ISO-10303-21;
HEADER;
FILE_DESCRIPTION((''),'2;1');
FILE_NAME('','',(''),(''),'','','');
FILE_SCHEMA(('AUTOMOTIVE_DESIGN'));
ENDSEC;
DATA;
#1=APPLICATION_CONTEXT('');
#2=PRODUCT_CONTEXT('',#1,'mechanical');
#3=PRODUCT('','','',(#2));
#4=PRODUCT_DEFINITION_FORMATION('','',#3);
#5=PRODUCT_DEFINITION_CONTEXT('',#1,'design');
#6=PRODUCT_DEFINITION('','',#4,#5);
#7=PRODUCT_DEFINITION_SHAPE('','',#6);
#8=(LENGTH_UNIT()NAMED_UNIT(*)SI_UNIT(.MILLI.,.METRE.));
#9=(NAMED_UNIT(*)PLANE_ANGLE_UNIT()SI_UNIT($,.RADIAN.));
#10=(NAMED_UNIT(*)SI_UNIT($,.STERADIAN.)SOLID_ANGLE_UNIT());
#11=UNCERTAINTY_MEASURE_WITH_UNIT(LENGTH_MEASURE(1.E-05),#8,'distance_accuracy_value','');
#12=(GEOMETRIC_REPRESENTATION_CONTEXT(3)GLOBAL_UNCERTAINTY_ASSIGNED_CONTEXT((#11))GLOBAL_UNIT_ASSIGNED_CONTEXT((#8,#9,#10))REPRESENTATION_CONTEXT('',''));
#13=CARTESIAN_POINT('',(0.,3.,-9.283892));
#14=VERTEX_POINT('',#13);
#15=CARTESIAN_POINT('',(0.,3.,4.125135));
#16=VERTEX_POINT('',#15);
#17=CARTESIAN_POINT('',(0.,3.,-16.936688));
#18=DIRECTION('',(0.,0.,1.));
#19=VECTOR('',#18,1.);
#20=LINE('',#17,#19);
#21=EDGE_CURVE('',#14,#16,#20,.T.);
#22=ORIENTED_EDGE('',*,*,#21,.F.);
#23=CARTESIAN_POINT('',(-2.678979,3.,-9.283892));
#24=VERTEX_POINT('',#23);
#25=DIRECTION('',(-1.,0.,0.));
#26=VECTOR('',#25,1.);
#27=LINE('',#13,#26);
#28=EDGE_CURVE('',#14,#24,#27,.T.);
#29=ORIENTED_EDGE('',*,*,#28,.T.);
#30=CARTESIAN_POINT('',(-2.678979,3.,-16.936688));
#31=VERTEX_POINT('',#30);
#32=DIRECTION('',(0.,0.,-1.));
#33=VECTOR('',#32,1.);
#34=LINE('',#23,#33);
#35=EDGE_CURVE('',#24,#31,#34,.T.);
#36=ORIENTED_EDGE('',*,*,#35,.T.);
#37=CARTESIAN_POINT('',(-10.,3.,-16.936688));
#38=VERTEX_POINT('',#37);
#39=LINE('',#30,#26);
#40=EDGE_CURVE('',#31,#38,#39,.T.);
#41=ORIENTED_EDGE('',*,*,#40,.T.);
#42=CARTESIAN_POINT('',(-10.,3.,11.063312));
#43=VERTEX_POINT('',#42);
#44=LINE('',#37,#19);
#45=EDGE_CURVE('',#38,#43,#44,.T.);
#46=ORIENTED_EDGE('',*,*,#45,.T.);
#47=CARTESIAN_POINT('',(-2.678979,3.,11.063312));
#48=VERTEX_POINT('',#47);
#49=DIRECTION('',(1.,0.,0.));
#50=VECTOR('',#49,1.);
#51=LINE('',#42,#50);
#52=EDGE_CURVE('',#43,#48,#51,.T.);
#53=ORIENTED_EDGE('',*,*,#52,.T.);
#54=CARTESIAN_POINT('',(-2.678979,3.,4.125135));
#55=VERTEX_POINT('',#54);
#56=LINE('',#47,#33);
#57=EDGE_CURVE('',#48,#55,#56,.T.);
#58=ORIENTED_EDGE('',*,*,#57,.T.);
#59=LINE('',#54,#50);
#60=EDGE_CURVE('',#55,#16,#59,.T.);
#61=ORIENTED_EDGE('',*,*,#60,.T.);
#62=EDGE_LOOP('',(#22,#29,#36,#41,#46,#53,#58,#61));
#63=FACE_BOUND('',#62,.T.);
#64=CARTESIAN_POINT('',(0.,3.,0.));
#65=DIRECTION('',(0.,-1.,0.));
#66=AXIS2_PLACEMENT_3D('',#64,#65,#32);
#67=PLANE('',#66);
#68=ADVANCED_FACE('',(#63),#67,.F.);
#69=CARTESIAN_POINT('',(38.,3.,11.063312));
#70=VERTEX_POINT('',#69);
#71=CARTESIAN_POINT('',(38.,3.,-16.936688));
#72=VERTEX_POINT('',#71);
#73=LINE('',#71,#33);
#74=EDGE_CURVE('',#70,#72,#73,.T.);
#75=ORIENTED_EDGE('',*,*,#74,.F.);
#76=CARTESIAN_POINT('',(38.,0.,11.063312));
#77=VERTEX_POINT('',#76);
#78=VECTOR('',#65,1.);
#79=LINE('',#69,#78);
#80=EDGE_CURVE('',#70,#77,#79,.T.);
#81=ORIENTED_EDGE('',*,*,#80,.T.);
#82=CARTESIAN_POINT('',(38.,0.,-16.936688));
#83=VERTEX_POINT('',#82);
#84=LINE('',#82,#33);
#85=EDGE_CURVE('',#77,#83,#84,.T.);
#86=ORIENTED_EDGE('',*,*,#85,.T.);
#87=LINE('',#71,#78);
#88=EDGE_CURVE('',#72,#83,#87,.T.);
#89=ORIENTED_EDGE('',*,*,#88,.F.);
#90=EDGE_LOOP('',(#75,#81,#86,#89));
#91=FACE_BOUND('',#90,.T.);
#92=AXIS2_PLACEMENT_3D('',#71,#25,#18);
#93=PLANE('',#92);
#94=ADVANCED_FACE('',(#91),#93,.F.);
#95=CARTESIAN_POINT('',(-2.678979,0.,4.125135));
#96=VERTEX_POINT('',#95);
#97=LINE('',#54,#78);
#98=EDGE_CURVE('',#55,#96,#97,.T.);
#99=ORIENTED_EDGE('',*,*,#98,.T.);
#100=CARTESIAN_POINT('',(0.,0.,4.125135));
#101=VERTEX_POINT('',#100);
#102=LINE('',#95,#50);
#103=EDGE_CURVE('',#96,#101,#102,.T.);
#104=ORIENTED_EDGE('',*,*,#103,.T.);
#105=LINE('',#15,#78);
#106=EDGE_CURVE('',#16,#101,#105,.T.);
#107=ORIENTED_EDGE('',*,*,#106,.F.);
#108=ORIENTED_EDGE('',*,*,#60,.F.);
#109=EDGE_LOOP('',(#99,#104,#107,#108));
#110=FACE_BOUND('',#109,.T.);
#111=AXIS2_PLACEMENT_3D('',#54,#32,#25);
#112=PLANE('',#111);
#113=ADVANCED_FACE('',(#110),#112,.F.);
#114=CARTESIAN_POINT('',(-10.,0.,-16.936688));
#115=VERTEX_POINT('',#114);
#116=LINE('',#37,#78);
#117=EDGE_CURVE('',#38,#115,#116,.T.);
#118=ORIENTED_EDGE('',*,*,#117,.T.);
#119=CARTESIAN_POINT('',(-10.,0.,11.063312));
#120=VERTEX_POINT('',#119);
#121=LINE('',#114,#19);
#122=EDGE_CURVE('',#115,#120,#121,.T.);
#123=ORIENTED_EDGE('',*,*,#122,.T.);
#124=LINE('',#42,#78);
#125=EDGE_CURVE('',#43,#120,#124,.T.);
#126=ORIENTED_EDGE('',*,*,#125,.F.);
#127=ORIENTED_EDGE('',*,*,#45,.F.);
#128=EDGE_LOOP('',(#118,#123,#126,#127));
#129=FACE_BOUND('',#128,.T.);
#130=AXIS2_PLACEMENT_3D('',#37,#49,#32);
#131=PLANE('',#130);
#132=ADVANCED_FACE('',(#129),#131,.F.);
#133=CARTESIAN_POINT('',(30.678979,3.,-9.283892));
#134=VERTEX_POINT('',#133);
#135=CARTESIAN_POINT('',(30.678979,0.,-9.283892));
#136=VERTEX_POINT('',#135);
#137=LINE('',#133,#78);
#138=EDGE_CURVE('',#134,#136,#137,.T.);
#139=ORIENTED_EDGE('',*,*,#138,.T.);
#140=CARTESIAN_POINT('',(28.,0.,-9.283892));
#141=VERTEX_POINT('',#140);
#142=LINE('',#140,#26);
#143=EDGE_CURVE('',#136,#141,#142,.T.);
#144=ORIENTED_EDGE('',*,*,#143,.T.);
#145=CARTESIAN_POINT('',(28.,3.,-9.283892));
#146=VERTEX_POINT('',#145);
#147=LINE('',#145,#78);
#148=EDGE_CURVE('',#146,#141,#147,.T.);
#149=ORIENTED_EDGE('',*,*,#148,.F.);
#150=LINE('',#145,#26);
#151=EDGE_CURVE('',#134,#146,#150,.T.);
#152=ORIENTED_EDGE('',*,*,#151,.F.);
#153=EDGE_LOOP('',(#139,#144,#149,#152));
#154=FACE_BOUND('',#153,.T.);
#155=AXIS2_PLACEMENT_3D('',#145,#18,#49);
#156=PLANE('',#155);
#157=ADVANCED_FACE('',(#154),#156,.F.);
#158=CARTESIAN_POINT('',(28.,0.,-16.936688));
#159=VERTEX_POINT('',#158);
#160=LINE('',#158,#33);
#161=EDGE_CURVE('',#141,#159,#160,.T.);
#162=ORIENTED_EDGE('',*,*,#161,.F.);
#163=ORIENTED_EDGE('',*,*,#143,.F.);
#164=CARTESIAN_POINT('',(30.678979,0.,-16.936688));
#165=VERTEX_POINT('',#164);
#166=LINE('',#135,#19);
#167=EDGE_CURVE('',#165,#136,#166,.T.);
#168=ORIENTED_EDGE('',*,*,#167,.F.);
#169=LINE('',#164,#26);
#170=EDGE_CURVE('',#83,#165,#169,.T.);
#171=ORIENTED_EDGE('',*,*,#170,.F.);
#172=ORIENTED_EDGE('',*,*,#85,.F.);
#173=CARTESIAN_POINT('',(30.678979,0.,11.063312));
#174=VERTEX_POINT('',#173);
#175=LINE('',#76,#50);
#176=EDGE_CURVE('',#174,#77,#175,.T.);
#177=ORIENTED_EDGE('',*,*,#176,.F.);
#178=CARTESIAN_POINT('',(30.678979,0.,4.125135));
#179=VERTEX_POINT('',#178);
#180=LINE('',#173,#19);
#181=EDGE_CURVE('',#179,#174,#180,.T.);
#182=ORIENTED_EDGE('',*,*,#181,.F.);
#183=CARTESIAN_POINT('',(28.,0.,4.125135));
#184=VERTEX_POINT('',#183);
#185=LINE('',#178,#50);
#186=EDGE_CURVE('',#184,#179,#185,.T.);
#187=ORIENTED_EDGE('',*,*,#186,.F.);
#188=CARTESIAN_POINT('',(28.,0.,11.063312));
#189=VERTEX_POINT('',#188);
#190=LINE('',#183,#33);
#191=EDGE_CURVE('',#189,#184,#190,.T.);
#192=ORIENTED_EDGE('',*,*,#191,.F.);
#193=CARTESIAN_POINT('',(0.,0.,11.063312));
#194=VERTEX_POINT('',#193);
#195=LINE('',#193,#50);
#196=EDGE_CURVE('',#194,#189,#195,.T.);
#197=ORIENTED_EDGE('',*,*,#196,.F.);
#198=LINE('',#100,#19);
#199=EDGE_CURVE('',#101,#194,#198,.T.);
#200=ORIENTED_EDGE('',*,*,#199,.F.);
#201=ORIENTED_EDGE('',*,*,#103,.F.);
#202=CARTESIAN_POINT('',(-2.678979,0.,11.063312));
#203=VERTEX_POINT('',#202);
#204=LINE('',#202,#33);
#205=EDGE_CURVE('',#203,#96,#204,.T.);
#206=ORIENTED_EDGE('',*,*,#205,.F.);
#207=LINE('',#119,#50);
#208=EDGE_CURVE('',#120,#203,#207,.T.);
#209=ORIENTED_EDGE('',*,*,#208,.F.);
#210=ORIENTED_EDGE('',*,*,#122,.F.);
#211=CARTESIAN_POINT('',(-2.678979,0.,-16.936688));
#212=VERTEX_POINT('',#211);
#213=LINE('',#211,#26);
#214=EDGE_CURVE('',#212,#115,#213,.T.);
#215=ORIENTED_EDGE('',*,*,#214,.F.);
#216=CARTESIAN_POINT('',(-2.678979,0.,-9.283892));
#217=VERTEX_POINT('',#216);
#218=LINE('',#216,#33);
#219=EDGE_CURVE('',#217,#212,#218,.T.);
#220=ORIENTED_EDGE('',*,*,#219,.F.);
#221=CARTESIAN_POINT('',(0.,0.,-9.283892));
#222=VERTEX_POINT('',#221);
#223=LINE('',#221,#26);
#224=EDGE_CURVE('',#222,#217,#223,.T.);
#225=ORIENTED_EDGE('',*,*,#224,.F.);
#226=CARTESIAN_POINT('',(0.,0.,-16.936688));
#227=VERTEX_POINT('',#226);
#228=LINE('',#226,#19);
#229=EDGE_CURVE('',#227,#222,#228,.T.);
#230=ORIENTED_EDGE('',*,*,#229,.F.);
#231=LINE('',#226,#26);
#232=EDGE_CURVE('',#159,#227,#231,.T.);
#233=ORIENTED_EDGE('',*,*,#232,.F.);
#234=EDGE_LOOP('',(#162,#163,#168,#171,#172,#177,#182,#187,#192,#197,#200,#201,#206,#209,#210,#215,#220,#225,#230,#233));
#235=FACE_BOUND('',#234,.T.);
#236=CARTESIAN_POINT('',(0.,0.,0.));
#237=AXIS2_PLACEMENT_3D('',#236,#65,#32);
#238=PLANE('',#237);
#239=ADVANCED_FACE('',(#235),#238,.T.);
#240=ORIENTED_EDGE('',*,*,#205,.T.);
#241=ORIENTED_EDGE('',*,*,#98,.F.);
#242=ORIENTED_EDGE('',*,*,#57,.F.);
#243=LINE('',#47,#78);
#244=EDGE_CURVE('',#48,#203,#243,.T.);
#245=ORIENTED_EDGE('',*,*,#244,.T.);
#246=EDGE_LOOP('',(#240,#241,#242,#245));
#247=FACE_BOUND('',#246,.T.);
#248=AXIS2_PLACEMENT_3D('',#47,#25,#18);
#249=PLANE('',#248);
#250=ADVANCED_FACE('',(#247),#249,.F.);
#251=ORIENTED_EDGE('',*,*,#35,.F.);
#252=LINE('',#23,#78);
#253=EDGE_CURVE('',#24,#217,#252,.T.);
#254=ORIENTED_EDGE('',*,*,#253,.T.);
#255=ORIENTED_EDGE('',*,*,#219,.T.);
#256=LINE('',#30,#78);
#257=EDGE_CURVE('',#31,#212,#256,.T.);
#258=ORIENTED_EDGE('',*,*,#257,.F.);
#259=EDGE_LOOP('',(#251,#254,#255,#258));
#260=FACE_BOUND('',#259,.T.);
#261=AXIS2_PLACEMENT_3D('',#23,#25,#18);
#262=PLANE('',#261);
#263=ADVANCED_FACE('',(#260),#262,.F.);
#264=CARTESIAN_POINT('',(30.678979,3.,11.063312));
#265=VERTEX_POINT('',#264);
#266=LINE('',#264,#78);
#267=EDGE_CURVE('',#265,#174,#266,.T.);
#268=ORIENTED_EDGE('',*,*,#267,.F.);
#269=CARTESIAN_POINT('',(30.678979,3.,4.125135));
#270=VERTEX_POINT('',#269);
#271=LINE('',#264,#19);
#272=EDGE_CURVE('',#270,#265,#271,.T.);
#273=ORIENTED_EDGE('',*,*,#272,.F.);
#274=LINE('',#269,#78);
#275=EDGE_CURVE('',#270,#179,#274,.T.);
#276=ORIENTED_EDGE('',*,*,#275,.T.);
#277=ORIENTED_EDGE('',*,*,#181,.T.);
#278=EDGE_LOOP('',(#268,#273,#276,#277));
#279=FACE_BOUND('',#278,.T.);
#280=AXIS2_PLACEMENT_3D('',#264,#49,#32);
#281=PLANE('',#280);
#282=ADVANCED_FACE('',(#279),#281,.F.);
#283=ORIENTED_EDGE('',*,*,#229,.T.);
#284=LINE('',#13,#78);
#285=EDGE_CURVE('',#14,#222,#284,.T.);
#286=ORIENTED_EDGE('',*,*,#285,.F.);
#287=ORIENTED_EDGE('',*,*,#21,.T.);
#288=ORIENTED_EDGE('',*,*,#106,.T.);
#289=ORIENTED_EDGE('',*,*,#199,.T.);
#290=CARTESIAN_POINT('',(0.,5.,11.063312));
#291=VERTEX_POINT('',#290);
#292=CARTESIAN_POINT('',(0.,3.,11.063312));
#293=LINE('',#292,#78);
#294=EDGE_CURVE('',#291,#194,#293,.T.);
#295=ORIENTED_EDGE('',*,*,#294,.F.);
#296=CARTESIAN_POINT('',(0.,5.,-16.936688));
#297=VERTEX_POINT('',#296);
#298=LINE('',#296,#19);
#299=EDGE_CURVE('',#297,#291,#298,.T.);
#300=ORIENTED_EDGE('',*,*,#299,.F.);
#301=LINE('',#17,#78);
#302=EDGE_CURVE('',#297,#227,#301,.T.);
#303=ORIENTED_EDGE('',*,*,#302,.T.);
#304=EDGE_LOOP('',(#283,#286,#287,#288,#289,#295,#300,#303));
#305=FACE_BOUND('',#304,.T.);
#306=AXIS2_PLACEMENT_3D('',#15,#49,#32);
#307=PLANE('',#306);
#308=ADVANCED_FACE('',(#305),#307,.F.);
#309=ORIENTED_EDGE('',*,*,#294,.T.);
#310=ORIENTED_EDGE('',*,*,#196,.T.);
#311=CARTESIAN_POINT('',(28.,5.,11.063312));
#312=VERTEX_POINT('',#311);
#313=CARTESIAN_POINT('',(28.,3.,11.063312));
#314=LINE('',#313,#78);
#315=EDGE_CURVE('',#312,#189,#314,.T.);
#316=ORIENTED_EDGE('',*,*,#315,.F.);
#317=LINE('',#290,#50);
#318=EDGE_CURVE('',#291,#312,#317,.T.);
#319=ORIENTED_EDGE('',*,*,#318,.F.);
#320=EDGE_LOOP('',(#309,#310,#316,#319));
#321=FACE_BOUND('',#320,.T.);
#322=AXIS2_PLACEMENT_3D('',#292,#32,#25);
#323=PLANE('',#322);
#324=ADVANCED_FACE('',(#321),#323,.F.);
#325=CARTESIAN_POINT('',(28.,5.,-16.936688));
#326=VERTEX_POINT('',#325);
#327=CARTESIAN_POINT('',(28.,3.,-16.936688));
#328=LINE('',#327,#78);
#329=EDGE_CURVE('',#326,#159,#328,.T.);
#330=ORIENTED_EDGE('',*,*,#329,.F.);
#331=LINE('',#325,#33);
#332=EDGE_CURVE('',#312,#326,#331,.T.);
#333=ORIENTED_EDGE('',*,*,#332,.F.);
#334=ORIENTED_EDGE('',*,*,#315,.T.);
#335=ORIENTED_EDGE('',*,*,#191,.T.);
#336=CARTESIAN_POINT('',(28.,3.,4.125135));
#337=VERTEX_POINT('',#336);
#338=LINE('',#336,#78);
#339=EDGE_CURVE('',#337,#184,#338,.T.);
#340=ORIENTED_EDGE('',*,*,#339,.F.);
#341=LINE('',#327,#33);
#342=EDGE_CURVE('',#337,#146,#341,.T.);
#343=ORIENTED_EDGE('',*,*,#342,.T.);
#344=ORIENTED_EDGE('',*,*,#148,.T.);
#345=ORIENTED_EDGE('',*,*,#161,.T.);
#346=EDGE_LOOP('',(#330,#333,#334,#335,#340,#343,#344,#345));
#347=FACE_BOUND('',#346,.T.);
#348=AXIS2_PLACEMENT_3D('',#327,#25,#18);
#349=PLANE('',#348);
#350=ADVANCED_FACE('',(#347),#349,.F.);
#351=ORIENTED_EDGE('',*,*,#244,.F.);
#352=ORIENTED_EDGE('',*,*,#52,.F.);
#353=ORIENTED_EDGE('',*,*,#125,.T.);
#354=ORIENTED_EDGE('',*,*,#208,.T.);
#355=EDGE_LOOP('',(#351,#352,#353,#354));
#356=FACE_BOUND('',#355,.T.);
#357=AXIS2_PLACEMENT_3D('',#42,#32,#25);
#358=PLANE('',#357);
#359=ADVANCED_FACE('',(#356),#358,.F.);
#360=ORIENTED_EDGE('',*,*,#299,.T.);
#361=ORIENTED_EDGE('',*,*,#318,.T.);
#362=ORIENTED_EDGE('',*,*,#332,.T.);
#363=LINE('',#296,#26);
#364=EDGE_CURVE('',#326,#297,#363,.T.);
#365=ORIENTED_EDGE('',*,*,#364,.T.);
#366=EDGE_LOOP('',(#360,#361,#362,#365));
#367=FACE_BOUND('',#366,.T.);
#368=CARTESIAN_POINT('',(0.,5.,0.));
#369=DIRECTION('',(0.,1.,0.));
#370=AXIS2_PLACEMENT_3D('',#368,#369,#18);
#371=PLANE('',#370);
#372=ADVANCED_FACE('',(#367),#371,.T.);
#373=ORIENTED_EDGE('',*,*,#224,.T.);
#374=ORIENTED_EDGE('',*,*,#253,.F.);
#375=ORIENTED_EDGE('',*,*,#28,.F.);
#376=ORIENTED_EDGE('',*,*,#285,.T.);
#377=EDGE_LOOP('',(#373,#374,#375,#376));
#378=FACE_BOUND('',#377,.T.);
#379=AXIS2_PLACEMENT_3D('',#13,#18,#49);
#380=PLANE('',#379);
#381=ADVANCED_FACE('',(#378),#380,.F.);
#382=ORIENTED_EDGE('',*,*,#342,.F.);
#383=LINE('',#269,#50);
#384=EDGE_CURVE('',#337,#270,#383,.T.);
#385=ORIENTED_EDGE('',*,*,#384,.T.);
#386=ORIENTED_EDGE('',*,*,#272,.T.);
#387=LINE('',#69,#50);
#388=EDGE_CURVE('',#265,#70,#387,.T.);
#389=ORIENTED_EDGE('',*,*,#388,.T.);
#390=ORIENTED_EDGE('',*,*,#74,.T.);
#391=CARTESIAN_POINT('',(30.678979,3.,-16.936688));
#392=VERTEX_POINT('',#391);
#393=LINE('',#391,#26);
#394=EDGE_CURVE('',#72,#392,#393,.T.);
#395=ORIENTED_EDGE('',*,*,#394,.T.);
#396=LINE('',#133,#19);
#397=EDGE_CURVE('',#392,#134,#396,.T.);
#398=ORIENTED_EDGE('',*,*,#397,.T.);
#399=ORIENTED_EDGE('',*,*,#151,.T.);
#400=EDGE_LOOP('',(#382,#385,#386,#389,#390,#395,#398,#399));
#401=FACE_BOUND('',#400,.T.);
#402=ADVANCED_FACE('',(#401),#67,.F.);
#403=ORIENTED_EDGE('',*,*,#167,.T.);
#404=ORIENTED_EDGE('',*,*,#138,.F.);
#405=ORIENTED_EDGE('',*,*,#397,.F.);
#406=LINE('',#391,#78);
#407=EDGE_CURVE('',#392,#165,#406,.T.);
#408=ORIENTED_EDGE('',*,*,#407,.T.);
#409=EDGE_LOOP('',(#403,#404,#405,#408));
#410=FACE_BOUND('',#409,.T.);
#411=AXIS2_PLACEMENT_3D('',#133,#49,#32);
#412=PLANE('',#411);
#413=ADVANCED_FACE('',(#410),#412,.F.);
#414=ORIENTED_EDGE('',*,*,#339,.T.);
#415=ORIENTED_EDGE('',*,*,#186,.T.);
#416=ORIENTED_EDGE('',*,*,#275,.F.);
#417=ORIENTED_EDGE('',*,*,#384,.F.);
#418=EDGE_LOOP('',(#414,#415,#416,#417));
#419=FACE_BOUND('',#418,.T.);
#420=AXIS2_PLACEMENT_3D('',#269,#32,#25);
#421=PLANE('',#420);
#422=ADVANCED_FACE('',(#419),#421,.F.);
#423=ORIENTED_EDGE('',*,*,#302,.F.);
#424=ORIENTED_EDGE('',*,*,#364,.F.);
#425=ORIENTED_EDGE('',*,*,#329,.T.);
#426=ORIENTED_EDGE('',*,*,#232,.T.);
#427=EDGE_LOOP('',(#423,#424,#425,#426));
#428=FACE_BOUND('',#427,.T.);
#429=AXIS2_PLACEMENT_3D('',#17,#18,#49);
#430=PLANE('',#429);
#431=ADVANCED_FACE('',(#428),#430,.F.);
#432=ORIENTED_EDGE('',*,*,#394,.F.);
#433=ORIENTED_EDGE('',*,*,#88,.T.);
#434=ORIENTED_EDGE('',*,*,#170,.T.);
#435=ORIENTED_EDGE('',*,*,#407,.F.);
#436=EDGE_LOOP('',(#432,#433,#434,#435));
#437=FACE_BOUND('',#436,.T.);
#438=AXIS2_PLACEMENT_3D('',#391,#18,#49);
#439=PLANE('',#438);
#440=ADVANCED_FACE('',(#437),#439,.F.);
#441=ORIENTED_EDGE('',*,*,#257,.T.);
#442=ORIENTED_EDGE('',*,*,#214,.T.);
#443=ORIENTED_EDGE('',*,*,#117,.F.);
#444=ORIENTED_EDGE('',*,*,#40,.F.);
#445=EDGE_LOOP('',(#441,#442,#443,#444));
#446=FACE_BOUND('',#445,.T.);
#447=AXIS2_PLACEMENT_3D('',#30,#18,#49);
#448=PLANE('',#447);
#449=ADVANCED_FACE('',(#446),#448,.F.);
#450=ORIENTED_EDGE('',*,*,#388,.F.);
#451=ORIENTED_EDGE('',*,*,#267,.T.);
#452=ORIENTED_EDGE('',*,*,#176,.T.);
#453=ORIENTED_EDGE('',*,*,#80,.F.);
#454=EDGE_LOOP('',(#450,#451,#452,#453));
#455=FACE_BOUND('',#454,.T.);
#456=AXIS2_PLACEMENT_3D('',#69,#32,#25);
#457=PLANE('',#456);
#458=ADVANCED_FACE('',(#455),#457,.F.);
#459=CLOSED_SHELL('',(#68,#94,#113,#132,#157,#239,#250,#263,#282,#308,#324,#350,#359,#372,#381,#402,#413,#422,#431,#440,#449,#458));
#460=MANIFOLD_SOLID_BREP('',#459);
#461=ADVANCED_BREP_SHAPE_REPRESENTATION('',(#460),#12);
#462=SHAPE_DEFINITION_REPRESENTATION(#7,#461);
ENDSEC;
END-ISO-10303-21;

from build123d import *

# Parameters (mm, degrees)
EXTRUDE_1_DEPTH = 3
SKETCH_3_W      = 28
SKETCH_3_H      = 28
EXTRUDE_2_DEPTH = 1
SKETCH_4_W      = 28
SKETCH_4_H      = 28
EXTRUDE_3_DEPTH = 1


with BuildPart() as part:
    # 草图2 → 凸台-拉伸1 (new body)
    with BuildSketch(Plane(origin=(0, 0, 0), x_dir=(1, 0, 0), z_dir=(0, 1, 0))):
        Polygon((0, 9.283892138), (-2.678979425, 9.283892138), (-2.678979425, 16.936687797), (-10, 16.936687797), (-10, -11.063312203), (-2.678979425, -11.063312203), (-2.678979425, -4.12513502), (0, -4.12513502), (0, -11.063312203), (28, -11.063312203), (28, -4.12513502), (30.678979425, -4.12513502), (30.678979425, -11.063312203), (38, -11.063312203), (38, 16.936687797), (30.678979425, 16.936687797), (30.678979425, 9.283892138), (28, 9.283892138), (28, 16.936687797), (0, 16.936687797), align=None)
    extrude(amount=EXTRUDE_1_DEPTH)

    # 草图3 → 凸台-拉伸2 (add)
    with BuildSketch(Plane(origin=(0, 3, 0), x_dir=(1, 0, 0), z_dir=(0, 1, 0))):
        with Locations((14, 2.936687797)):
            Rectangle(SKETCH_3_W, SKETCH_3_H)
    extrude(amount=EXTRUDE_2_DEPTH)

    # 草图4 → 凸台-拉伸3 (add)
    with BuildSketch(Plane(origin=(0, 4, 0), x_dir=(1, 0, 0), z_dir=(0, 1, 0))):
        with Locations((14, 2.936687797)):
            Rectangle(SKETCH_4_W, SKETCH_4_H)
    extrude(amount=EXTRUDE_3_DEPTH)


solid = part.part
